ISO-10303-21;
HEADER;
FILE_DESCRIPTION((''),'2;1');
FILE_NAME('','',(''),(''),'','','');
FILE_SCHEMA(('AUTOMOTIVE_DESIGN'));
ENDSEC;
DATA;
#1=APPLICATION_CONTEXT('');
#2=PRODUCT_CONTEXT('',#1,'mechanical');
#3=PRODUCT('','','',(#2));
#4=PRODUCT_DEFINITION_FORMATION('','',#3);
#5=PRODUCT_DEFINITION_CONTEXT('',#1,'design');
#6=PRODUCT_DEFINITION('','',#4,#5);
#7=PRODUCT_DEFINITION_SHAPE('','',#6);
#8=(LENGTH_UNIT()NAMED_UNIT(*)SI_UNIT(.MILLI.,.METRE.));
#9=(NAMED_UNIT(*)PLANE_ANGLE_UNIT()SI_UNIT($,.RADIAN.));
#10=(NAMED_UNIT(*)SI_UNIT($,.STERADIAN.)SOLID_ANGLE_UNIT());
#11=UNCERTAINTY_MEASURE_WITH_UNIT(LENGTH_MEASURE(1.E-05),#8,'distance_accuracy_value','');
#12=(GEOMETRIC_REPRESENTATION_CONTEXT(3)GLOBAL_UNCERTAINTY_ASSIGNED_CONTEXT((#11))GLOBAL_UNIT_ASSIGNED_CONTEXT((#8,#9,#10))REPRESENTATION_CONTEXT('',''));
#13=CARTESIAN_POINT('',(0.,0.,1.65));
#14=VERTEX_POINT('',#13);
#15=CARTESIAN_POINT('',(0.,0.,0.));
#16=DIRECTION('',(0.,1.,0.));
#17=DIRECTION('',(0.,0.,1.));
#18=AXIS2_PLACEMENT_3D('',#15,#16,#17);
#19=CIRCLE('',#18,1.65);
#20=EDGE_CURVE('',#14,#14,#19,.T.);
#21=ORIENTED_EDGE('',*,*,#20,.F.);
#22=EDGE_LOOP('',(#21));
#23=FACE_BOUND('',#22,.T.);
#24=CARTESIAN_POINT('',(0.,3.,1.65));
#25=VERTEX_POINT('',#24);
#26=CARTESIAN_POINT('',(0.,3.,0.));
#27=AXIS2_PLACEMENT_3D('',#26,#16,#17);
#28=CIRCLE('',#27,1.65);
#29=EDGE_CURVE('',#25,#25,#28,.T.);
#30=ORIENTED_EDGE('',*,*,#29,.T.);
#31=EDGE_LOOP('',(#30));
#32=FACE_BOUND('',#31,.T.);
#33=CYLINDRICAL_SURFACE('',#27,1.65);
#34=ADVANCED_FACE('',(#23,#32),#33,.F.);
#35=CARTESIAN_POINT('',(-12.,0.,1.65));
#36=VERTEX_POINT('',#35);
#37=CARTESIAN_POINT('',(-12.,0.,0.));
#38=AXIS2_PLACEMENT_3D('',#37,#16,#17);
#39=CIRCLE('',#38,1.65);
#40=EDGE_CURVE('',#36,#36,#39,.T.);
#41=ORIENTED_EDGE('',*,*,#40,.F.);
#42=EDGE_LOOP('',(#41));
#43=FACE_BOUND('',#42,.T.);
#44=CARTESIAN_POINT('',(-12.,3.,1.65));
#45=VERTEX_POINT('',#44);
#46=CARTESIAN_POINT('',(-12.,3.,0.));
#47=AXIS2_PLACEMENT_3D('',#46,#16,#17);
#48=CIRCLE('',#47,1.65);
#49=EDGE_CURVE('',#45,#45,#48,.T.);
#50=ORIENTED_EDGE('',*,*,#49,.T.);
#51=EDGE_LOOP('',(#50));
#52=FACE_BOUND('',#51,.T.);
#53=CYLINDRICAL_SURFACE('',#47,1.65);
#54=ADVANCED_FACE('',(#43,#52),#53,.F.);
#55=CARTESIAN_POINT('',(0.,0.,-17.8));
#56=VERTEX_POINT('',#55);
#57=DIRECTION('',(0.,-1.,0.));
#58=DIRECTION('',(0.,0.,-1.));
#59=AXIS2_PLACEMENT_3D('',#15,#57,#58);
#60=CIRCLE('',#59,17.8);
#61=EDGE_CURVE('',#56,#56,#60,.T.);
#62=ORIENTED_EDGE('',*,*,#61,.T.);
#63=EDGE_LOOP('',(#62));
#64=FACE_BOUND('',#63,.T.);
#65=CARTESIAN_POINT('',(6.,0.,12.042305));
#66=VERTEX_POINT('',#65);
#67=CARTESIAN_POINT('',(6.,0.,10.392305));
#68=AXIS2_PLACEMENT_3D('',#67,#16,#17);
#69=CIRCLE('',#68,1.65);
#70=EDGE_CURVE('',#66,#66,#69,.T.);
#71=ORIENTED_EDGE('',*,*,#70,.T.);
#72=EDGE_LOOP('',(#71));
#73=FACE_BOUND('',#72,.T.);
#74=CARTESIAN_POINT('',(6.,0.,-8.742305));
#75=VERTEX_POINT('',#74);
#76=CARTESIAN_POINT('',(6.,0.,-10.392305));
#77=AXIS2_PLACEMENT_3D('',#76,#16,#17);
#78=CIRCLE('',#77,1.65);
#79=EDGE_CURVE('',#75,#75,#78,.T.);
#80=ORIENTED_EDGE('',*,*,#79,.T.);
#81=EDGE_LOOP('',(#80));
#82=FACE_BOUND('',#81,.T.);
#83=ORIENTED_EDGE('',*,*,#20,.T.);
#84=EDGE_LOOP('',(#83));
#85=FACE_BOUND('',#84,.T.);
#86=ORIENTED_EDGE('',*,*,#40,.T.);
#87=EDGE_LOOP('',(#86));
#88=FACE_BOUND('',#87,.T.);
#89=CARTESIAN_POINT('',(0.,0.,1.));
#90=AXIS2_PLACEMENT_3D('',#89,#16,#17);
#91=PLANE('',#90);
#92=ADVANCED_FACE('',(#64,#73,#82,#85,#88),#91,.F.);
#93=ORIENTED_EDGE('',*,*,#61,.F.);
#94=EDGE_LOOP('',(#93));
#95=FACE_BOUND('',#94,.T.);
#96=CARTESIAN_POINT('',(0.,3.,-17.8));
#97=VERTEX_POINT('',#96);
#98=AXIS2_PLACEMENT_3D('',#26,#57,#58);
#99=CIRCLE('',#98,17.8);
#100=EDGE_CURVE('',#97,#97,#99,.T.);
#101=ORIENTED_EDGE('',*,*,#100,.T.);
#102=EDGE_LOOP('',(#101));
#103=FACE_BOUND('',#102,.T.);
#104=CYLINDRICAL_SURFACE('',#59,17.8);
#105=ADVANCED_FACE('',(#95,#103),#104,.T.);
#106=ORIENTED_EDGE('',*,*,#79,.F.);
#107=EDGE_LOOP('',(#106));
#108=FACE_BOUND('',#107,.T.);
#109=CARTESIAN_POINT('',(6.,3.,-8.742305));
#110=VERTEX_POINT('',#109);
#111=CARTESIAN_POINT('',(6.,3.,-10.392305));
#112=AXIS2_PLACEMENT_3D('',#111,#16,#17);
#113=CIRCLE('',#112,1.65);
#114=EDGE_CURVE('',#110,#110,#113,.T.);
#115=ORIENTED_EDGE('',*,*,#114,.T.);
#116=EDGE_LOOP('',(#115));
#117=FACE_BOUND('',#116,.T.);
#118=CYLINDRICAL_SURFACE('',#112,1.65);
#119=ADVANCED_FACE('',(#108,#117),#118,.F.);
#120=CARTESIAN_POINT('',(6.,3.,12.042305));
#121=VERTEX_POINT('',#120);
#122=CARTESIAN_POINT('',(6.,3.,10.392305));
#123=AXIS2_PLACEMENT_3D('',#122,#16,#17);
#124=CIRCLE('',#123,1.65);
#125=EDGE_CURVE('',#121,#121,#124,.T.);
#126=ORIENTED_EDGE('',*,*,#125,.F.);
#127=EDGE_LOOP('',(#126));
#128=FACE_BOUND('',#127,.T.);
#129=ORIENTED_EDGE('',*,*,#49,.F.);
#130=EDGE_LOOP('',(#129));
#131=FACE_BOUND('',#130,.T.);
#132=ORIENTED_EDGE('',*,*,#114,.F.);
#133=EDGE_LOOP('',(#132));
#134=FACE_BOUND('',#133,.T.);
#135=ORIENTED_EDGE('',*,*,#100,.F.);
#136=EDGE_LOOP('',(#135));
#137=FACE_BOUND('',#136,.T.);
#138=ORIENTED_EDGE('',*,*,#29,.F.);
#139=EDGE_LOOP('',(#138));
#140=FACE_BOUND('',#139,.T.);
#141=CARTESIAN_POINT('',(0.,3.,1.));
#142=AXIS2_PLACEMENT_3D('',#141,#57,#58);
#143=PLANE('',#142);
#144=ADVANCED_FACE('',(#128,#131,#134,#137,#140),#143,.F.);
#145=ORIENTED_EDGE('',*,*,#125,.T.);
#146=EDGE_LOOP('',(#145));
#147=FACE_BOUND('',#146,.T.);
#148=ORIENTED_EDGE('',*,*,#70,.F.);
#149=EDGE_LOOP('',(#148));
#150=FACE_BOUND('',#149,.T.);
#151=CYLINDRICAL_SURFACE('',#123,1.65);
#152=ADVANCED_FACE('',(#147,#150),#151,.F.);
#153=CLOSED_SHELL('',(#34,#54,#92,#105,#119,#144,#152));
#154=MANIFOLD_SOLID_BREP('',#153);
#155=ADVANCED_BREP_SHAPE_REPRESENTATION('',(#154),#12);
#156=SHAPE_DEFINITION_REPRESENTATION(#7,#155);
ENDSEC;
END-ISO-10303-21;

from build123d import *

# Parameters (mm, degrees)
SKIZZE1_W                       = 16.8
SKIZZE1_H                       = 3
SKIZZE2_R                       = 1
SCHNITT_LINEAR_AUSTRAGEN1_DEPTH = 26.351134097
KREISMUSTER1_COUNT              = 3
M4_GEWINDEBOHRUNG1_D            = 3.3


with BuildPart() as part:
    # Skizze1 → Rotation1 (revolve)
    with BuildSketch(Plane(origin=(0, 0, 0), x_dir=(0, 0, -1), z_dir=(1, 0, 0))):
        with Locations((-9.4, 1.5)):
            Rectangle(SKIZZE1_W, SKIZZE1_H)
    revolve(axis=Axis((0, 0, 0), (0, 1, 0)))

    # Skizze2 → Schnitt-Linear austragen1 (cut, through all)
    with BuildSketch(Plane(origin=(0, 3, 0), x_dir=(1, 0, 0), z_dir=(0, 1, 0))):
        with Locations((-12, 0)):
            Circle(SKIZZE2_R)
    schnitt_linear_austragen1 = extrude(amount=-SCHNITT_LINEAR_AUSTRAGEN1_DEPTH, mode=Mode.SUBTRACT)

    # Kreismuster1: Schnitt-Linear austragen1 ×3 about axis
    kreismuster1_axis = Axis((0, 3, 0), (0, -1, 0))
    for i in range(1, KREISMUSTER1_COUNT):
        add(schnitt_linear_austragen1.rotate(kreismuster1_axis, i * 360 / KREISMUSTER1_COUNT), mode=Mode.SUBTRACT)

    # M4 Gewindebohrung1 (through all)
    with Locations(Plane(origin=(0, 3, 0), x_dir=(1, 0, 0), z_dir=(0, 1, 0))):
        with Locations((0, 0), (6, 10.392304845), (-12, 0), (6, -10.392304845)):
            Hole(M4_GEWINDEBOHRUNG1_D / 2)


solid = part.part
